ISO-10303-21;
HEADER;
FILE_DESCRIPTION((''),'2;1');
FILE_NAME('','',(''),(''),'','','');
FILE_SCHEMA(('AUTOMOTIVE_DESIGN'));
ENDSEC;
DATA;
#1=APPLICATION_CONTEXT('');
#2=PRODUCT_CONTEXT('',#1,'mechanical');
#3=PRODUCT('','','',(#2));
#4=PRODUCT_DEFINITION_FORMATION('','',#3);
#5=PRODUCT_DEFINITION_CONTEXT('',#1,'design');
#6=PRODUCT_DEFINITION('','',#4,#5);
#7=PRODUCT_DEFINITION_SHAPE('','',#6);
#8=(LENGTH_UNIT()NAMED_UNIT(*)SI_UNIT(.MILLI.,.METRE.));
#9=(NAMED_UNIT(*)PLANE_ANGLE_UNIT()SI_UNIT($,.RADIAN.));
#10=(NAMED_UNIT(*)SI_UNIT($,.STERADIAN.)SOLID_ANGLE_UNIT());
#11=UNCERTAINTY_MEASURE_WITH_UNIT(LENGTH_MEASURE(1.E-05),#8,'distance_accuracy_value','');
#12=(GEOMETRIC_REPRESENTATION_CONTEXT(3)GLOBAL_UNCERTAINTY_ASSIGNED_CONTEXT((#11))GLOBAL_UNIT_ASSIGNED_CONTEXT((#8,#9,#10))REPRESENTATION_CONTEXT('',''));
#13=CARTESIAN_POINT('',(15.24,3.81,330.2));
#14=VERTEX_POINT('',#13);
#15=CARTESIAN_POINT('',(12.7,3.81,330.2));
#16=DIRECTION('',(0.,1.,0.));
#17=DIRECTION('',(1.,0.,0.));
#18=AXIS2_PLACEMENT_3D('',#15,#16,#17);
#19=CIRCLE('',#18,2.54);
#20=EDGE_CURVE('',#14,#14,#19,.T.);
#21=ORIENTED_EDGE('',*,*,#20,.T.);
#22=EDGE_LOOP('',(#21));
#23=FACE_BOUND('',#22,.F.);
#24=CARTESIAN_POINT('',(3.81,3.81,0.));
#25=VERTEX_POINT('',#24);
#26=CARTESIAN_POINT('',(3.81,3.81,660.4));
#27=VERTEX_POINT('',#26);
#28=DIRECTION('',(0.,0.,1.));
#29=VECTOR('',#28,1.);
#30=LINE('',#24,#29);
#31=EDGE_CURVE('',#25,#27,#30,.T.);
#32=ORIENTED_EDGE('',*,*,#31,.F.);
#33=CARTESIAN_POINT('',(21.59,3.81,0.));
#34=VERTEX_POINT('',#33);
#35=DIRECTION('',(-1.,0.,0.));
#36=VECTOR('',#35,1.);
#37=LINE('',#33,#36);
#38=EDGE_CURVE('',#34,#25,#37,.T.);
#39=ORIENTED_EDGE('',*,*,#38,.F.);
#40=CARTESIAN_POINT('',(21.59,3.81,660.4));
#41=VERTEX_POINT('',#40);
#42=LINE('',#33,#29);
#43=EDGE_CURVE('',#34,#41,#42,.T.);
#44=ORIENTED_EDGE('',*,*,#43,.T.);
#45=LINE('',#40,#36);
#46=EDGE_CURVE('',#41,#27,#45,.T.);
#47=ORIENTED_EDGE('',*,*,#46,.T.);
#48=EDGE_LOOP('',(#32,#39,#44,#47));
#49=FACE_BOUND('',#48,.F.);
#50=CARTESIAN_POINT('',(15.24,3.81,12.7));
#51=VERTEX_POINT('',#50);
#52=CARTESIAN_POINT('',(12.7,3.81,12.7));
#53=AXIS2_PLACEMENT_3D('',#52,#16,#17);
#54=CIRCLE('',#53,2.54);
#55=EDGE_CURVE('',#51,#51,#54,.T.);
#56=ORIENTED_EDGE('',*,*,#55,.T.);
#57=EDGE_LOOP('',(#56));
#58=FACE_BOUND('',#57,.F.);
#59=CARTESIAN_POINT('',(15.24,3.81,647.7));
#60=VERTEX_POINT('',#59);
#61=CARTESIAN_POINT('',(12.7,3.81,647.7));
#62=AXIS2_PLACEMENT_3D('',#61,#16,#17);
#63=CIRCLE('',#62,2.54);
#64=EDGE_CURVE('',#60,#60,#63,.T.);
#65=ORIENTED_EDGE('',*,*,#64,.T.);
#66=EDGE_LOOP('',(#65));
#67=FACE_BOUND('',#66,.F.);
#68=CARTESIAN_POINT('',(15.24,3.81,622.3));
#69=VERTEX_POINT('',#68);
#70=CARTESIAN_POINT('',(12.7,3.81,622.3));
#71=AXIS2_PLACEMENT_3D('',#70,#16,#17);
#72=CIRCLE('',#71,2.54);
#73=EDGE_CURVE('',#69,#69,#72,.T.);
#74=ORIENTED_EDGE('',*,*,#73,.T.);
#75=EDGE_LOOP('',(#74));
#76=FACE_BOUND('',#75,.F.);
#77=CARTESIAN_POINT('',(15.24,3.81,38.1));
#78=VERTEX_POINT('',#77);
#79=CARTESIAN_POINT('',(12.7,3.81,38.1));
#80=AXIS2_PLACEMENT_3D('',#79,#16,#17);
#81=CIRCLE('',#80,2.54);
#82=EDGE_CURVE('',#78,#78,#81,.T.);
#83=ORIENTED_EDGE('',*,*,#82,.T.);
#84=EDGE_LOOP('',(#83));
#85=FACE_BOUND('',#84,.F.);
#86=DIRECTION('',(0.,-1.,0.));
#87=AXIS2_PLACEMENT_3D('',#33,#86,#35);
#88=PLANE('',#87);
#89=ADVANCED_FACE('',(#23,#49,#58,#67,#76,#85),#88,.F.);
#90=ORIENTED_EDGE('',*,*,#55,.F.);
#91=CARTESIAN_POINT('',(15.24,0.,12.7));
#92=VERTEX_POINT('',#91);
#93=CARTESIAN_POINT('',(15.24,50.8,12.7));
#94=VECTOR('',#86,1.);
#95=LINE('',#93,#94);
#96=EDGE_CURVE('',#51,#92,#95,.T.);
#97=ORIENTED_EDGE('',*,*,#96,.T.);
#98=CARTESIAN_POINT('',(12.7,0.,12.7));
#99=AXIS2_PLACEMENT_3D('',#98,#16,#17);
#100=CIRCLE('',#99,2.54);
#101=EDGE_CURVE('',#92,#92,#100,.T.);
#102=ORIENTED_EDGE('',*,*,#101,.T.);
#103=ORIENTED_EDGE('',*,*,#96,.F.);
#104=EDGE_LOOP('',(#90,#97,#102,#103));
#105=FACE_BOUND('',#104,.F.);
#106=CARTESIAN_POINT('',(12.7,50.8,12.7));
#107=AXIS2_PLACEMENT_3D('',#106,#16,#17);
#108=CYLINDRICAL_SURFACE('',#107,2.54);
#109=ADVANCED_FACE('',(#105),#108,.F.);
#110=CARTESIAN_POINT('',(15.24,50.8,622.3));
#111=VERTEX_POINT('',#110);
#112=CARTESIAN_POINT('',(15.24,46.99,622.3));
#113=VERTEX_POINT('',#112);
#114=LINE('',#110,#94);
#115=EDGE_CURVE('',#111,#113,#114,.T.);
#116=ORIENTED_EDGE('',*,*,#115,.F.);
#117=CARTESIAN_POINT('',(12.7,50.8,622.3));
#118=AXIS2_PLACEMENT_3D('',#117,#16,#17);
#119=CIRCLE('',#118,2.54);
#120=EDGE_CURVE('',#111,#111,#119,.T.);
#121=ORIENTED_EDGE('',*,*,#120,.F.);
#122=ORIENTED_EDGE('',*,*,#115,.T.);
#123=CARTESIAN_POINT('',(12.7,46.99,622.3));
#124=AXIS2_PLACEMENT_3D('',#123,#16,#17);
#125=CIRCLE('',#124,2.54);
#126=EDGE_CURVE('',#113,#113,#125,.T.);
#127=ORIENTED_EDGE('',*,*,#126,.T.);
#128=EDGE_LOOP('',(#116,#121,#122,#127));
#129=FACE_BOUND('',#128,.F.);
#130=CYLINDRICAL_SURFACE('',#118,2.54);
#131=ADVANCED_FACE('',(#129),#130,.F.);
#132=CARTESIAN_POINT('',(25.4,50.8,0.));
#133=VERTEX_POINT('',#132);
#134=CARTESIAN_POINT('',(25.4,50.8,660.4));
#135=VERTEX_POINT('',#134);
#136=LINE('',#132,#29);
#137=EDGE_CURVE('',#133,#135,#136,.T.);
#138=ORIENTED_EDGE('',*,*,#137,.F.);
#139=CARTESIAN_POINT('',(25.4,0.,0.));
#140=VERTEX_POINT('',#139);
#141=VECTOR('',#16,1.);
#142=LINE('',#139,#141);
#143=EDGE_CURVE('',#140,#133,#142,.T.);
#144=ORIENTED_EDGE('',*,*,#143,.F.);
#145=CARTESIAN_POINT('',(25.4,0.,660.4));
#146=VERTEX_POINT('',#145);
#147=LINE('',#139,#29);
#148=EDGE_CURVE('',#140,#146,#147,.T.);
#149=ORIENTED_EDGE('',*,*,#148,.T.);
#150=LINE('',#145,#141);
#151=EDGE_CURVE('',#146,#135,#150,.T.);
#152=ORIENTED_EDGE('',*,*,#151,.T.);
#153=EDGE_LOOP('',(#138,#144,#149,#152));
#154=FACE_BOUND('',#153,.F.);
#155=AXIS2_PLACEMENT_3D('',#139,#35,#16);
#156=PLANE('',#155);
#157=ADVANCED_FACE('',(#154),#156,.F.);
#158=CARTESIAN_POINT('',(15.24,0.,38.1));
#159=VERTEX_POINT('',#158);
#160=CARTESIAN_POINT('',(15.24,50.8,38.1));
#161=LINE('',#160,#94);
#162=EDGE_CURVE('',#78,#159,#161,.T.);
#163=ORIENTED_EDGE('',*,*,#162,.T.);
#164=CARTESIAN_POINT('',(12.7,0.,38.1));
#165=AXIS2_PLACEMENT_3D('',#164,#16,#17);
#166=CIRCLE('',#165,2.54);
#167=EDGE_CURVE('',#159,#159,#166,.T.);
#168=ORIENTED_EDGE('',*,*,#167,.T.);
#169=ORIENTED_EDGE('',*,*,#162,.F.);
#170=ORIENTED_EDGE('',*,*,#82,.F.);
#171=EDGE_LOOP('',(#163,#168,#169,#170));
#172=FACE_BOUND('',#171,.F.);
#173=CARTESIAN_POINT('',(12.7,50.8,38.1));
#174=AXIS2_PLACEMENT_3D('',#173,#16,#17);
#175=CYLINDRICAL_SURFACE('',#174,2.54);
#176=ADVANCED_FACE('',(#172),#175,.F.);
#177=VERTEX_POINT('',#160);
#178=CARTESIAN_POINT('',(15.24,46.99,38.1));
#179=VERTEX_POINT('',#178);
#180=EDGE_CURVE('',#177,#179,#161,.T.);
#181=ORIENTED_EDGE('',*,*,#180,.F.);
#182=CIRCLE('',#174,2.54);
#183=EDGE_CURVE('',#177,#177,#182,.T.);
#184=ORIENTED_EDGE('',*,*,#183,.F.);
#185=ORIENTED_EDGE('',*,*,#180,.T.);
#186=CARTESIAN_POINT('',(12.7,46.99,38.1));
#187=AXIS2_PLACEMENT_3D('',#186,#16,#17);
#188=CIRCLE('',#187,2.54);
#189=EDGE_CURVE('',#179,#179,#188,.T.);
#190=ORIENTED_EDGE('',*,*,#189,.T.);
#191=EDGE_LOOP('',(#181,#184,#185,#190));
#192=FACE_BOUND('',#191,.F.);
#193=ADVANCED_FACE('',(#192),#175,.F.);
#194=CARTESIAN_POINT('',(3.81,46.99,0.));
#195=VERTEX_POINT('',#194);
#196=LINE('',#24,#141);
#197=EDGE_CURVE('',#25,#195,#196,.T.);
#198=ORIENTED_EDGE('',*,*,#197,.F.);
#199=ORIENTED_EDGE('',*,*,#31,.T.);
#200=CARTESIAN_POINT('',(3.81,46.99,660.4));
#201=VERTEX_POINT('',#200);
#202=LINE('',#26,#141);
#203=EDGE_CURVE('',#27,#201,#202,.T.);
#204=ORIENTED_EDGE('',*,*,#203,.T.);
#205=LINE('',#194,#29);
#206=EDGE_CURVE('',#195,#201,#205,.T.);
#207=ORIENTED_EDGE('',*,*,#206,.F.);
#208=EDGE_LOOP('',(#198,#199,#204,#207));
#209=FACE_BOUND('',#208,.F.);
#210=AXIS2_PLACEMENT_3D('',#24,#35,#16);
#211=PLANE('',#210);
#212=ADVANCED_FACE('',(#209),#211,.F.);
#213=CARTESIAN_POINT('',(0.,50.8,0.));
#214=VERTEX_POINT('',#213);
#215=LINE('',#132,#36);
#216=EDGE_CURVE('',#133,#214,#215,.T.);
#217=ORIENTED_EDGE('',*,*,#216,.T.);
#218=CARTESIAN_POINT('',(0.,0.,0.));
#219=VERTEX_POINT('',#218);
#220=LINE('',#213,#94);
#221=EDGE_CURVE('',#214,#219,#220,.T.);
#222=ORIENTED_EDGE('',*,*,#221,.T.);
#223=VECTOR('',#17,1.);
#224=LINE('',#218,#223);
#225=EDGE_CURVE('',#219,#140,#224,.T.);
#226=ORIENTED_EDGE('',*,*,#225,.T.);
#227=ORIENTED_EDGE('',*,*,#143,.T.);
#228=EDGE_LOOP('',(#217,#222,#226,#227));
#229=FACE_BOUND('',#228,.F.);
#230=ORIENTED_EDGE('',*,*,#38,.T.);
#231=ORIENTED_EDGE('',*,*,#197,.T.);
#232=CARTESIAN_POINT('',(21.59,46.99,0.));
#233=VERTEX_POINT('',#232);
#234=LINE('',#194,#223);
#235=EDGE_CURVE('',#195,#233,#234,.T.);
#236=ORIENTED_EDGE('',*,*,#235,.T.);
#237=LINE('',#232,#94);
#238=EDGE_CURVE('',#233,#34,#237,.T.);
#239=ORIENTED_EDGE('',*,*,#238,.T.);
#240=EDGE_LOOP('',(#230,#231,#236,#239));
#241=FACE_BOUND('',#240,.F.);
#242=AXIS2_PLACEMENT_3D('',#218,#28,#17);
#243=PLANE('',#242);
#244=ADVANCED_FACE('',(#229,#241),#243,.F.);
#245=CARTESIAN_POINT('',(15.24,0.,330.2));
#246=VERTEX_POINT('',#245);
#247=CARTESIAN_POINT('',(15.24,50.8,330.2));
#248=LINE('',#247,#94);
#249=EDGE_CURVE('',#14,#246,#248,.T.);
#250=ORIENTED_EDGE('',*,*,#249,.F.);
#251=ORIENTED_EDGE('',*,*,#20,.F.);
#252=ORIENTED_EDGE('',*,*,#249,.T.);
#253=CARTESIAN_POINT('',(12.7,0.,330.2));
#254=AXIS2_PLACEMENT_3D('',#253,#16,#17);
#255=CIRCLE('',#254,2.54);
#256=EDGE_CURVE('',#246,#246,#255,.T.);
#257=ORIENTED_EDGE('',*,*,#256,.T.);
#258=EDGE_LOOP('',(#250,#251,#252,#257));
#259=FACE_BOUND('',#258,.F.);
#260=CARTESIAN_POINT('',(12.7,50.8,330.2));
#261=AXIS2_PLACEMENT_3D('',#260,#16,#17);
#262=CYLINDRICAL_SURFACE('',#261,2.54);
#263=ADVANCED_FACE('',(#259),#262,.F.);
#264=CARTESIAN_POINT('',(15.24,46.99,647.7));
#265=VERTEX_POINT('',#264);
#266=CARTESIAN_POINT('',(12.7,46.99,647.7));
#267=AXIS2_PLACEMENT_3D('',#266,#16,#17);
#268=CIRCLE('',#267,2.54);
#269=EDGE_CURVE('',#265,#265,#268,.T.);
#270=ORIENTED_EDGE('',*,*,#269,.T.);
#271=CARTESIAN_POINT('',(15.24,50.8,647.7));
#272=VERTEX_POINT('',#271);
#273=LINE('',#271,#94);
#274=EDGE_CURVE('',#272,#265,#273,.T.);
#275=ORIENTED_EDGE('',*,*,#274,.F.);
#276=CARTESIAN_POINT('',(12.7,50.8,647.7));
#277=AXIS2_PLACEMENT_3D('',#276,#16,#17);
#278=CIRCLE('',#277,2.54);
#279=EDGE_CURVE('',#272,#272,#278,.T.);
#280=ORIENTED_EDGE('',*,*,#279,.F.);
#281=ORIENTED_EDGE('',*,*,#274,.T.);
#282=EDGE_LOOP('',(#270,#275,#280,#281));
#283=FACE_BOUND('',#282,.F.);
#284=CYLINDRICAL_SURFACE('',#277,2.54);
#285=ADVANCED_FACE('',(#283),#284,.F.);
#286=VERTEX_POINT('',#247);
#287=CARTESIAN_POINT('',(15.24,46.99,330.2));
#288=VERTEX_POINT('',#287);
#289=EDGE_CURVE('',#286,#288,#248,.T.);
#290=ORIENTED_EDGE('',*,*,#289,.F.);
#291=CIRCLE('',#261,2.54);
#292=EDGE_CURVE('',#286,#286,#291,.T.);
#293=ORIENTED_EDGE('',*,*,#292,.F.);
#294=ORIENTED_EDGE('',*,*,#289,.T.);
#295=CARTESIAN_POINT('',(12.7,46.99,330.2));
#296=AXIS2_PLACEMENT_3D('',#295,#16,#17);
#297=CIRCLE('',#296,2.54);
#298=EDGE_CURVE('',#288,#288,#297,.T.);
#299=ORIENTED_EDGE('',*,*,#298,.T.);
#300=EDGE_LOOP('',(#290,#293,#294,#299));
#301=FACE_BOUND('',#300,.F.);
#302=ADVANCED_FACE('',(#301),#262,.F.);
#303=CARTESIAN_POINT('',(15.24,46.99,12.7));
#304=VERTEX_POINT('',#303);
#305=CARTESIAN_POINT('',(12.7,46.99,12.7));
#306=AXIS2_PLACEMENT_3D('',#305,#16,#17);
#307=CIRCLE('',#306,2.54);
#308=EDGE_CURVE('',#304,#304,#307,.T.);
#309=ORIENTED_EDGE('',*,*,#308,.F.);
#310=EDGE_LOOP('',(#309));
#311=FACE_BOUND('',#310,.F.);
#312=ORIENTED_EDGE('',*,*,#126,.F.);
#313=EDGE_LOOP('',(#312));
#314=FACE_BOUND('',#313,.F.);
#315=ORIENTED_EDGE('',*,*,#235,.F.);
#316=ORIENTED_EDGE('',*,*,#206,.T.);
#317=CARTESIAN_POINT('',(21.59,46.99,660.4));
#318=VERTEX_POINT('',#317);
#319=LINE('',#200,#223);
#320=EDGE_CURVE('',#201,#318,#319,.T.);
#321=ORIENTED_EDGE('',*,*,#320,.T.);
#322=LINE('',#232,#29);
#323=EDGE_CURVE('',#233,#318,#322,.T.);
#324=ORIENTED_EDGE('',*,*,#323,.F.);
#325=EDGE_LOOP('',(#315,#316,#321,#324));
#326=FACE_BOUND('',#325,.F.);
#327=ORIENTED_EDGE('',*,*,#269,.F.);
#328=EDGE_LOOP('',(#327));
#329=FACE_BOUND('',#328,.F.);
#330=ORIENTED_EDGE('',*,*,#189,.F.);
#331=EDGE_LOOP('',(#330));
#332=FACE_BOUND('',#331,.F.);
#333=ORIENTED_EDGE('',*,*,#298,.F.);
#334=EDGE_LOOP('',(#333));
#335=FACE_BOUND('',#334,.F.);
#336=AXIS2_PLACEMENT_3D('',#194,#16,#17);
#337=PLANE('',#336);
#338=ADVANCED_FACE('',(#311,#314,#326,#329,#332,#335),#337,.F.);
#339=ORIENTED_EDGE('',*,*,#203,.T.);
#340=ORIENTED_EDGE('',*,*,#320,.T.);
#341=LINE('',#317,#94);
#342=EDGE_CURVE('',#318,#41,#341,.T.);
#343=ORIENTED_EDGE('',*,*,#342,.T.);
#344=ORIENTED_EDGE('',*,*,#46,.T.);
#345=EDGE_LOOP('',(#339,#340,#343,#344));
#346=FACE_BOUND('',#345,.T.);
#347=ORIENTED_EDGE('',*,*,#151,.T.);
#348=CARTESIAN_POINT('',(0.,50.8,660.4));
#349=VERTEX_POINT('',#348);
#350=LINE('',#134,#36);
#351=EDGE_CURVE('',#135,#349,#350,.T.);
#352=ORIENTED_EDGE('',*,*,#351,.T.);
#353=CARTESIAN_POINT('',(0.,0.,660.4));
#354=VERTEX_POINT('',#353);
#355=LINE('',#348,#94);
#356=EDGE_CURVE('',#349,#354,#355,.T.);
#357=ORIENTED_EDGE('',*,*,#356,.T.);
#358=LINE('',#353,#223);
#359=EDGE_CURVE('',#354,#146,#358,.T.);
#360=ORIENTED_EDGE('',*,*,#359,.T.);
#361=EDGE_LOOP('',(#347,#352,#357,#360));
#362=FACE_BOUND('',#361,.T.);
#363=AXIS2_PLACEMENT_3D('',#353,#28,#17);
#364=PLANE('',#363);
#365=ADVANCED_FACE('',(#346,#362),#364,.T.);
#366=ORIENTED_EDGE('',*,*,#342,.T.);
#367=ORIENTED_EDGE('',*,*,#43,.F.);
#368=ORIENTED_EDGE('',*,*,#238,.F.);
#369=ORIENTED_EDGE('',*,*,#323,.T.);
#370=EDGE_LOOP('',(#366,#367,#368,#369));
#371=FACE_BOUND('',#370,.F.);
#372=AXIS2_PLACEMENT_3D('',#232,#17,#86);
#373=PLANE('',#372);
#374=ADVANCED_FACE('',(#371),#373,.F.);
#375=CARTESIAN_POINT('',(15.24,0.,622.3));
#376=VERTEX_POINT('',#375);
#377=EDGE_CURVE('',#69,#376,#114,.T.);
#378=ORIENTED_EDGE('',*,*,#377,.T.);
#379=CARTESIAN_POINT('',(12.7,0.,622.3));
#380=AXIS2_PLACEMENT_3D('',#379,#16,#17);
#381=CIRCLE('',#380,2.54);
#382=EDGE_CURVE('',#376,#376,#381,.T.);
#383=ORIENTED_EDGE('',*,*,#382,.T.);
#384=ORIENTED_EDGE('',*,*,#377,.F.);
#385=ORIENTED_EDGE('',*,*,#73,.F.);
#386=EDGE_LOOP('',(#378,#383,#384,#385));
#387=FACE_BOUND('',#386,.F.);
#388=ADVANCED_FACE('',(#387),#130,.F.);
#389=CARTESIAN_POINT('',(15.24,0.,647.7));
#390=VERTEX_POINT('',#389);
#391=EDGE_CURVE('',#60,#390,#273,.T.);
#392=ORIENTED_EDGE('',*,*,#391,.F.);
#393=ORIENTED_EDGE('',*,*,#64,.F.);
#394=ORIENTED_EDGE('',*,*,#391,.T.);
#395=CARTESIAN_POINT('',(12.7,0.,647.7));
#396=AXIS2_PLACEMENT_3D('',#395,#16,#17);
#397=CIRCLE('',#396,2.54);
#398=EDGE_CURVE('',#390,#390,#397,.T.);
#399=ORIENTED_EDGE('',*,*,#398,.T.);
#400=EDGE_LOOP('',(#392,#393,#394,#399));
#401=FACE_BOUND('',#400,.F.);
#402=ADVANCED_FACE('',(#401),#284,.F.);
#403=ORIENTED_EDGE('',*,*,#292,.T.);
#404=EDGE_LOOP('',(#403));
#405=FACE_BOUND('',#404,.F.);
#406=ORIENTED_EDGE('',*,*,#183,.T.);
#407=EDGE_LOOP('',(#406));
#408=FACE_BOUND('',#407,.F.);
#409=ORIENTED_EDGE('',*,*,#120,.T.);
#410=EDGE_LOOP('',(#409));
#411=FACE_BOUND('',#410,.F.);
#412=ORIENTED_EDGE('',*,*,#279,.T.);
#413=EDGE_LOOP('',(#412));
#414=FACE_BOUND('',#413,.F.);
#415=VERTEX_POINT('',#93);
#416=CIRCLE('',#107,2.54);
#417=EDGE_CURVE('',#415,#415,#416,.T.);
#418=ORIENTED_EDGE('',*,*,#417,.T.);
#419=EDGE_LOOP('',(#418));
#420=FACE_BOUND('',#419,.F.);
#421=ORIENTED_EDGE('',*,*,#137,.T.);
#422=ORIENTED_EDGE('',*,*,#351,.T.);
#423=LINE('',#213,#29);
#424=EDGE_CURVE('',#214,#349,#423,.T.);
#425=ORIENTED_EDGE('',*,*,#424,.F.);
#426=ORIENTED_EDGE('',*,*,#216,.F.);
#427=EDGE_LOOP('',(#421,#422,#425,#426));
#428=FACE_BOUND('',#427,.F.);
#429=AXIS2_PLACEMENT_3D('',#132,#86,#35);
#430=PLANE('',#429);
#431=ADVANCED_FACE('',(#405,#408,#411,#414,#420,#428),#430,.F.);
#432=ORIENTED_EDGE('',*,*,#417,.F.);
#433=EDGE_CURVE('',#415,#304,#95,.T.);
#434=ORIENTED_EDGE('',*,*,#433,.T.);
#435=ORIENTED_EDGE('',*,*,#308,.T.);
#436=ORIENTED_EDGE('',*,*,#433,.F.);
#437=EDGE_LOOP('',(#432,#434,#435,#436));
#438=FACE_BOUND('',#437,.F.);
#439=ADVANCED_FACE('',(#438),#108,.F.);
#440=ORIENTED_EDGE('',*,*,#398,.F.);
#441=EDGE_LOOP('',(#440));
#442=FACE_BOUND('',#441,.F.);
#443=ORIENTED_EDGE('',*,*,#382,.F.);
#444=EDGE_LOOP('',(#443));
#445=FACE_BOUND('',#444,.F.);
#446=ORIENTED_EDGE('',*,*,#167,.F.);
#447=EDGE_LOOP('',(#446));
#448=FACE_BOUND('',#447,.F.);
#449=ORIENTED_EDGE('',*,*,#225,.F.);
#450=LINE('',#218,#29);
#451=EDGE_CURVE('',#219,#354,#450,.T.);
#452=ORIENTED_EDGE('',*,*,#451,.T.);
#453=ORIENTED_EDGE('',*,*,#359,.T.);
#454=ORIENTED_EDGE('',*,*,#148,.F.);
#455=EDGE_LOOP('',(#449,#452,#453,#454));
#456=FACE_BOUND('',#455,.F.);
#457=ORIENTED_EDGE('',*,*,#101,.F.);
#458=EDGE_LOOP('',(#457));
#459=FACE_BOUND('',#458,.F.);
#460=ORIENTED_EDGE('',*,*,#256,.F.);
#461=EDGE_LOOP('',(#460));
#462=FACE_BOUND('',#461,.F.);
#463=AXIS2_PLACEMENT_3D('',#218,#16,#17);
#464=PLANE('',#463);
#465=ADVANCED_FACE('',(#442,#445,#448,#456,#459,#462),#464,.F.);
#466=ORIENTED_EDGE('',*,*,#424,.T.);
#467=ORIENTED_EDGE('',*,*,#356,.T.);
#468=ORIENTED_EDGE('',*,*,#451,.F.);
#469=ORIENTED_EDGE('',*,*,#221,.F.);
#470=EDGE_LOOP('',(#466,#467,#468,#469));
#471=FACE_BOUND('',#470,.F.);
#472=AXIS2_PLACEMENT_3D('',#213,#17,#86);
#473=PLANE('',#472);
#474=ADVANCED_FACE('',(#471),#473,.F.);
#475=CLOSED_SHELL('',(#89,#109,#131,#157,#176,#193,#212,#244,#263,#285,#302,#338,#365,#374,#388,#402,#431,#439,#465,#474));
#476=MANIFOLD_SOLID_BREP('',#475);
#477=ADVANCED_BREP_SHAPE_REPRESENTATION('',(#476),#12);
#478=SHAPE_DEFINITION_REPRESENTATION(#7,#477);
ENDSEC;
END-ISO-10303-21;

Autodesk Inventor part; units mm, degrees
ref_plane "YZ Plane" through (0, 0, 0) normal (1, 0, 0) x (0, 1, 0)
ref_plane "XZ Plane" through (0, 0, 0) normal (0, 1, 0) x (-1, 0, 0)
ref_plane "XY Plane" through (0, 0, 0) normal (0, 0, 1) x (1, 0, 0)
sketch "Sketch1" plane through (0, 0, 0) normal (0, 0, 1) x (1, 0, 0)
  line L0 (0, 0) -> (25.4, 0)
  line L1 (25.4, 0) -> (25.4, 50.8)
  line L2 (25.4, 50.8) -> (0, 50.8)
  line L3 (0, 50.8) -> (0, 0)
  line L4 (21.59, 46.99) -> (21.59, 3.81)
  line L5 (21.59, 3.81) -> (3.81, 3.81)
  line L6 (3.81, 3.81) -> (3.81, 46.99)
  line L7 (3.81, 46.99) -> (21.59, 46.99)
  dimension "d0" = 25.4
  dimension "d1" = 50.8
  dimension "d2" = 3.81
extrude "Extrusion1" add sketch "Sketch1" along normal blind 660.4
sketch "Sketch2" plane through (0, 50.8, 0) normal (0, 1, 0) x (1, 0, 0)
  line L0 (0, 0) -> (25.4, 0) projected
  line L1 (12.7, 0) -> (12.7, -660.4) construction
  line L2 (0, -660.4) -> (25.4, -660.4) projected
  line L3 (12.7, 0) -> (12.7, -12.7) construction
  line L4 (12.7, -12.7) -> (12.7, -38.1) construction
  line L5 (12.7, -660.4) -> (12.7, -647.7) construction
  line L6 (12.7, -647.7) -> (12.7, -622.3) construction
  line L7 (0, 0) -> (0, -660.4) construction
  line L8 (0, -330.2) -> (25.4, -330.2) construction
  circle A0 centre (12.7, -647.7) radius 2.54
  circle A1 centre (12.7, -622.3) radius 2.54
  circle A2 centre (12.7, -330.2) radius 2.54
  circle A3 centre (12.7, -38.1) radius 2.54
  circle A4 centre (12.7, -12.7) radius 2.54
  dimension "d5" = 12.7
  dimension "d6" = 25.4
  dimension "d7" = 12.7
  dimension "d8" = 25.4
  dimension "d9" = 5.08
extrude "Extrusion2" cut sketch "Sketch2" against normal blind 660.4
properties part number "26in 2x1"
